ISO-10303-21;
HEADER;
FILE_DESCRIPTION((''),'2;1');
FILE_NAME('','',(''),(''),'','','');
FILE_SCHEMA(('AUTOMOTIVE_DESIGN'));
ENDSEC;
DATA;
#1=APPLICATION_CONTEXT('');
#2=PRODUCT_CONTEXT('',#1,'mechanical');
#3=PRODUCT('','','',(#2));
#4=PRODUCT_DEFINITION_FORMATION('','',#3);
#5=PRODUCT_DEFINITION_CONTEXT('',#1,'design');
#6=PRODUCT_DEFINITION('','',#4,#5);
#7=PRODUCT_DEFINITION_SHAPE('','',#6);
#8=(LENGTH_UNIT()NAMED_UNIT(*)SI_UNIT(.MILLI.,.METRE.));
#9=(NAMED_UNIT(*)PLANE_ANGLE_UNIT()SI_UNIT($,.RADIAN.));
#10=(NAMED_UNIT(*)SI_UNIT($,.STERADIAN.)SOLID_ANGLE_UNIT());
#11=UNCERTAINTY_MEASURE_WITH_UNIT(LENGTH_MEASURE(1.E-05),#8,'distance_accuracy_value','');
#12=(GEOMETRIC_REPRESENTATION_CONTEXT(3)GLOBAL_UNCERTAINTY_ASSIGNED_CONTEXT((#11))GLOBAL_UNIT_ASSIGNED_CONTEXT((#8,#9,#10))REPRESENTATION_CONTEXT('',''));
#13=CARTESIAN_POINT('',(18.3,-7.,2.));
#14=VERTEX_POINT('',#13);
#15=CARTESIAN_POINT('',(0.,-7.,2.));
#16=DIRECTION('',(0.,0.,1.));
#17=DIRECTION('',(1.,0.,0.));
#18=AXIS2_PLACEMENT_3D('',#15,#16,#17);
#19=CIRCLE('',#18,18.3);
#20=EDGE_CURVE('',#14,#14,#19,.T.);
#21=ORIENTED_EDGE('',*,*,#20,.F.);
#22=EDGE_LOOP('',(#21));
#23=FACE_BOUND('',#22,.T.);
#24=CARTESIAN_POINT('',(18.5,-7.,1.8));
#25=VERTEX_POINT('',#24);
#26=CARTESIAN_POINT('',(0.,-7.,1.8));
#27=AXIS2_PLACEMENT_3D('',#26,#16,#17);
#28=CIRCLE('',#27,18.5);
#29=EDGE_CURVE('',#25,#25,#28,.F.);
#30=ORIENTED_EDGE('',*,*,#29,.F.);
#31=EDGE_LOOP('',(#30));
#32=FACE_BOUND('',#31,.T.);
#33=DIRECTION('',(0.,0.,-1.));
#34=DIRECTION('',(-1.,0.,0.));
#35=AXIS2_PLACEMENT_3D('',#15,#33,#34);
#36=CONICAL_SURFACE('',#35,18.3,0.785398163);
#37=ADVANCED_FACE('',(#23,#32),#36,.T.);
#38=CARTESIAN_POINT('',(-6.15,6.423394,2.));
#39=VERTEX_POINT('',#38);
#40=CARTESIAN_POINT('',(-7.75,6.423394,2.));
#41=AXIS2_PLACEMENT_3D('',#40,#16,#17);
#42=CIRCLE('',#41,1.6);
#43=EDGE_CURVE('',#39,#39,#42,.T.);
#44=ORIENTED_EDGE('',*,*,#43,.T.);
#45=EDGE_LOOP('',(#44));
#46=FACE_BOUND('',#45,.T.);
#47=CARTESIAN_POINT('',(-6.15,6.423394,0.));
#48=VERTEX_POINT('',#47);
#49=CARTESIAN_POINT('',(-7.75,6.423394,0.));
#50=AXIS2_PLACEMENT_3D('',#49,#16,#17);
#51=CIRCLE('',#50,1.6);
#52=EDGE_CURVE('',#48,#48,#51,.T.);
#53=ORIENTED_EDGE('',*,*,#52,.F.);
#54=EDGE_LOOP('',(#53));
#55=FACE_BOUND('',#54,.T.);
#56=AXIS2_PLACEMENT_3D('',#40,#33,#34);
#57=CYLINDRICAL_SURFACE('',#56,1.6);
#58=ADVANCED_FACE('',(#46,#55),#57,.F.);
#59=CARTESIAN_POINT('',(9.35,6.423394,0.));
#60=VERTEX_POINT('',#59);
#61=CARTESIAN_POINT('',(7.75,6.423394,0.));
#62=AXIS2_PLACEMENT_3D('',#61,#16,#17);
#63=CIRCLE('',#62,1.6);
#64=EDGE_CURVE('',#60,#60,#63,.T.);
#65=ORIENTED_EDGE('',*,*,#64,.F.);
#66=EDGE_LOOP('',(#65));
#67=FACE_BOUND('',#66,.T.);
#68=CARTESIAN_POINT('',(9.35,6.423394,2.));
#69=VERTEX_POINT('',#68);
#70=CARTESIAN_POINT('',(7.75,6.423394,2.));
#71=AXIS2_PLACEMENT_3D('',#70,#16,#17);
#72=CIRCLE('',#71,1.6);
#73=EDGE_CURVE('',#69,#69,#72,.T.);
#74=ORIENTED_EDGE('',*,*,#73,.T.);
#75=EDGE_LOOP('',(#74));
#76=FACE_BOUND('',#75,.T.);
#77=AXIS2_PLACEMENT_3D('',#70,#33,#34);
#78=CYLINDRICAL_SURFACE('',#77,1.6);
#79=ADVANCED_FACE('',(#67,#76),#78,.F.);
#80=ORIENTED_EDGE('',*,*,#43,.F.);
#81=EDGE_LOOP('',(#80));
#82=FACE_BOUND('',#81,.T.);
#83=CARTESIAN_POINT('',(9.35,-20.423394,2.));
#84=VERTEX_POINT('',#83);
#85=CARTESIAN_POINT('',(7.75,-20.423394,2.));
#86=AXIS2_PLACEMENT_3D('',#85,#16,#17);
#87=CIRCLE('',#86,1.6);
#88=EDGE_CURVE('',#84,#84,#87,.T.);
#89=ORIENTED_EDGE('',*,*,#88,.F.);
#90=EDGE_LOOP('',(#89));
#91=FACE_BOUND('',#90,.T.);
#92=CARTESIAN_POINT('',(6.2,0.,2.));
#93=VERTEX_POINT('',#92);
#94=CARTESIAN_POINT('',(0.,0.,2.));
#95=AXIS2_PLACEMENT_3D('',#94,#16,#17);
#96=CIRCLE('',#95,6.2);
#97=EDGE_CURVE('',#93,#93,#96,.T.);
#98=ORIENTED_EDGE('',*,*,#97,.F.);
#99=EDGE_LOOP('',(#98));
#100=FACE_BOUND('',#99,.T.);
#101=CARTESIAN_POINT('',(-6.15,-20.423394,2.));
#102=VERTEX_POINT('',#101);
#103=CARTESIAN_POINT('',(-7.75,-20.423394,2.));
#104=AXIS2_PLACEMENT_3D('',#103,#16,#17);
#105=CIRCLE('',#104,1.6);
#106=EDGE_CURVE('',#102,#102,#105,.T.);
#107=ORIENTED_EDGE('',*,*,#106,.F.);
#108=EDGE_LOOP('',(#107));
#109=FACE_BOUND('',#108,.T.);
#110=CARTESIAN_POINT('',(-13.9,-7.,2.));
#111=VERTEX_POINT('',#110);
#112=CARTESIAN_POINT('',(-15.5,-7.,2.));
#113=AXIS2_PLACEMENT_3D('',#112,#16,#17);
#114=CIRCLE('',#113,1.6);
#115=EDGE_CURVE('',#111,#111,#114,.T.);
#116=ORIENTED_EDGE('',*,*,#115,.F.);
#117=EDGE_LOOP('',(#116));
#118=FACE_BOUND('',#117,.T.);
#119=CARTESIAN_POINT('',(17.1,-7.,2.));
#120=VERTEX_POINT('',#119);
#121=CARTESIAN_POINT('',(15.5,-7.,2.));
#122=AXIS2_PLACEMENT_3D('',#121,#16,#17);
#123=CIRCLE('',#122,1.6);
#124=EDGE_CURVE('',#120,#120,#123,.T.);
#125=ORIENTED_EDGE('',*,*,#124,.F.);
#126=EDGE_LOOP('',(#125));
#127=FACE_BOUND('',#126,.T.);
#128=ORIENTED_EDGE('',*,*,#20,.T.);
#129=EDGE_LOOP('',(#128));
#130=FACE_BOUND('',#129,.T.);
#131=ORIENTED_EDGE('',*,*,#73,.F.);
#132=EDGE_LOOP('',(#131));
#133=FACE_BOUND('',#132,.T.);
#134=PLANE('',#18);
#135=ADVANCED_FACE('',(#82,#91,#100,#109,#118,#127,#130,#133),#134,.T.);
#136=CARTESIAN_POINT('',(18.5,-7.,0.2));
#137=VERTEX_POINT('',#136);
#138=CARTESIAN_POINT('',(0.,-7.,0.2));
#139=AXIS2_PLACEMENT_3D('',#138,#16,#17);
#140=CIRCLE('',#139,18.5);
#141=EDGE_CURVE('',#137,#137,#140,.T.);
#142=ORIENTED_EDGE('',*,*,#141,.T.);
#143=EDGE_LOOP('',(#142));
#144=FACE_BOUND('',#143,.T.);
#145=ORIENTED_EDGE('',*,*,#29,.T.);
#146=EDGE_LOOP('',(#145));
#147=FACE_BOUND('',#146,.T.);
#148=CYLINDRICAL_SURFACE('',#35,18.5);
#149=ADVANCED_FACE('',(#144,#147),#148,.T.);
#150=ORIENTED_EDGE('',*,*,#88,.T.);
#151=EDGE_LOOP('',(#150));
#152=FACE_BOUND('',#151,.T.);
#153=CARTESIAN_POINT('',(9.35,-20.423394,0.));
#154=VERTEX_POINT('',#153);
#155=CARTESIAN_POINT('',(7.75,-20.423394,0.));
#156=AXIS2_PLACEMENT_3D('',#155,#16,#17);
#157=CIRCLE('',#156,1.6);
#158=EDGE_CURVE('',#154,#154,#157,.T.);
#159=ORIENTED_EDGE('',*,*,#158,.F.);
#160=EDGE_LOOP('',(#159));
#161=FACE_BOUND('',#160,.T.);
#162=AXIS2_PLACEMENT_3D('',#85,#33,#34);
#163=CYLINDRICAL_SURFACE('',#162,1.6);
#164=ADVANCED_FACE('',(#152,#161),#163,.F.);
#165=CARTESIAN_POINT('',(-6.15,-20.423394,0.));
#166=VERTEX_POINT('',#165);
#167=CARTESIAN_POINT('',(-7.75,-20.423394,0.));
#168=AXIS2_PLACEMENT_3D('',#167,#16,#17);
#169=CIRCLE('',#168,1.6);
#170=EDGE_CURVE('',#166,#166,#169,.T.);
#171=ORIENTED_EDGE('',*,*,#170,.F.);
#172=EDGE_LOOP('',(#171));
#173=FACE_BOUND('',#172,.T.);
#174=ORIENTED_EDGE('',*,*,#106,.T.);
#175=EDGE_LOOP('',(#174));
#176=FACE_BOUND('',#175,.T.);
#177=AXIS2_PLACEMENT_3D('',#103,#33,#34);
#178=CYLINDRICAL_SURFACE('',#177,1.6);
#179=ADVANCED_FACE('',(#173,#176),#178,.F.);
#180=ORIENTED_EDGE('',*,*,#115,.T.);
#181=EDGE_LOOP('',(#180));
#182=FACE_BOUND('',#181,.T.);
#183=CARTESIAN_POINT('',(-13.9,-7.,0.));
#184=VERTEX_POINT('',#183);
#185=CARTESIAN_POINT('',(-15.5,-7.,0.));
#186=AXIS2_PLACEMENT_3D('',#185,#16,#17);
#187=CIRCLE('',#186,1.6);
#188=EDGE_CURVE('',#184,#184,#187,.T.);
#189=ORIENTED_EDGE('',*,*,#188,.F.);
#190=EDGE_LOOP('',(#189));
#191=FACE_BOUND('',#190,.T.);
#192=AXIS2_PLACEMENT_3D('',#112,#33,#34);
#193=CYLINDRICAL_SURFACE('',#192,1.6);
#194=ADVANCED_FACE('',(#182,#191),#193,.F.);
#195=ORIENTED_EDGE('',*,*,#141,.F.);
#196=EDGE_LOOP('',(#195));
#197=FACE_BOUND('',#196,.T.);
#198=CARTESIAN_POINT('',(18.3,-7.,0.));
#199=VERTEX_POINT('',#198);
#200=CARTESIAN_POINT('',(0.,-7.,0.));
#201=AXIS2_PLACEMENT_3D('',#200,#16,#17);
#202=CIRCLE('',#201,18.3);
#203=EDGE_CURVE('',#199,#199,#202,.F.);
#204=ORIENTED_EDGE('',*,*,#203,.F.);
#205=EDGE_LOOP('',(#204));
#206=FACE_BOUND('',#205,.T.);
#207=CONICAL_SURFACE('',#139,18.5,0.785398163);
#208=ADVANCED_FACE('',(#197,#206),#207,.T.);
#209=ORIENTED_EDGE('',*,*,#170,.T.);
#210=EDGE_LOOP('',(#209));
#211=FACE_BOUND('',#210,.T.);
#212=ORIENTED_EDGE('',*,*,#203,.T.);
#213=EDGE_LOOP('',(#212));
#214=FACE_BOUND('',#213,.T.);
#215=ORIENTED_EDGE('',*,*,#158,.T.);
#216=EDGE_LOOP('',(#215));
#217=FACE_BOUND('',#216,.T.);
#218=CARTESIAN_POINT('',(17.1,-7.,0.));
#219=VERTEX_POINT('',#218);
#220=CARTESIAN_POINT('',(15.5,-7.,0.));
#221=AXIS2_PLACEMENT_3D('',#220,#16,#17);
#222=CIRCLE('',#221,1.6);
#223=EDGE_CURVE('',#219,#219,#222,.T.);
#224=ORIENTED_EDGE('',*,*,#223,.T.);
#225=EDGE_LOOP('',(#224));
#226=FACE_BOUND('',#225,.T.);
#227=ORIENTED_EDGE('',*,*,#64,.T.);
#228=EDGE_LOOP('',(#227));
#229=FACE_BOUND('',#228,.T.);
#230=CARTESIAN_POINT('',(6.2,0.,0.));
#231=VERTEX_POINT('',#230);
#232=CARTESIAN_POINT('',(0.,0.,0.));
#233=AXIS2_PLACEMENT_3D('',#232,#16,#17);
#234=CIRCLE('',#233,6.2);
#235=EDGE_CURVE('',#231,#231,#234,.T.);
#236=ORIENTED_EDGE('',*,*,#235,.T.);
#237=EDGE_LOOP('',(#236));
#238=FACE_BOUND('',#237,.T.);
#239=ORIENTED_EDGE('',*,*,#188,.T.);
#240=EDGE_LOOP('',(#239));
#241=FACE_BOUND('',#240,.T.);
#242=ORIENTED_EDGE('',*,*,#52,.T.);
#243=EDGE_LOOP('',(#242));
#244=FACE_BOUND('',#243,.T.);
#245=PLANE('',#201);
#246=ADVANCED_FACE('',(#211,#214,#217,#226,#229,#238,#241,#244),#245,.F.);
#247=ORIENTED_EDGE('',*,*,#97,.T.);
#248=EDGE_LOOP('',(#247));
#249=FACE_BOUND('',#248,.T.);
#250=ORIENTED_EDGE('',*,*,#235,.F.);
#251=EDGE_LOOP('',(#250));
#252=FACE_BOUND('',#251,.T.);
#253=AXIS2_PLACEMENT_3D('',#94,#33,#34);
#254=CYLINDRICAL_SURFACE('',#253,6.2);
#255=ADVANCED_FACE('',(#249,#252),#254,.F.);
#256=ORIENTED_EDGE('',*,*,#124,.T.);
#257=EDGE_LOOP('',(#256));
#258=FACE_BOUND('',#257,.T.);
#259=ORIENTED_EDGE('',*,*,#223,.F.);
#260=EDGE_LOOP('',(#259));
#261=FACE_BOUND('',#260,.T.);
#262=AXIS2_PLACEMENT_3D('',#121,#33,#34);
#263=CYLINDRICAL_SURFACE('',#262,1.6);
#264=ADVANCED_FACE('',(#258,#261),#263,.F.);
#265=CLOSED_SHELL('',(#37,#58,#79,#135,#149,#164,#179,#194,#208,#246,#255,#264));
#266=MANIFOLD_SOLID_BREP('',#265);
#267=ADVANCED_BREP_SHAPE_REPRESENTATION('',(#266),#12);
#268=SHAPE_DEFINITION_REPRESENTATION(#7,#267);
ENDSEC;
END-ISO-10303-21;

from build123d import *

# Parameters (mm, degrees)
SKETCH_1_R      = 18.5
SKETCH_1_R_2    = 6.2
SKETCH_1_R_3    = 1.6
EXTRUDE_1_DEPTH = 2
CHAMFER_1_SIZE  = 0.2


with BuildPart() as part:
    # 草图1 → 凸台-拉伸1 (new body)
    with BuildSketch(Plane.XY):
        with Locations((0, -7)):
            Circle(SKETCH_1_R)
        Circle(SKETCH_1_R_2, mode=Mode.SUBTRACT)
        with Locations((15.5, -7)):
            Circle(SKETCH_1_R_3, mode=Mode.SUBTRACT)
        with Locations((7.75, -20.423393759)):
            Circle(SKETCH_1_R_3, mode=Mode.SUBTRACT)
        with Locations((-7.75, -20.423393759)):
            Circle(SKETCH_1_R_3, mode=Mode.SUBTRACT)
        with Locations((-15.5, -7)):
            Circle(SKETCH_1_R_3, mode=Mode.SUBTRACT)
        with Locations((-7.75, 6.423393759)):
            Circle(SKETCH_1_R_3, mode=Mode.SUBTRACT)
        with Locations((7.75, 6.423393759)):
            Circle(SKETCH_1_R_3, mode=Mode.SUBTRACT)
    extrude(amount=EXTRUDE_1_DEPTH)

    # 倒角1
    chamfer_1_edges = [part.edges().sort_by_distance(p)[0] for p in [
        (-18.5, -7, 0),
        (-18.5, -7, 2),
    ]]
    chamfer(chamfer_1_edges, length=CHAMFER_1_SIZE)


solid = part.part
